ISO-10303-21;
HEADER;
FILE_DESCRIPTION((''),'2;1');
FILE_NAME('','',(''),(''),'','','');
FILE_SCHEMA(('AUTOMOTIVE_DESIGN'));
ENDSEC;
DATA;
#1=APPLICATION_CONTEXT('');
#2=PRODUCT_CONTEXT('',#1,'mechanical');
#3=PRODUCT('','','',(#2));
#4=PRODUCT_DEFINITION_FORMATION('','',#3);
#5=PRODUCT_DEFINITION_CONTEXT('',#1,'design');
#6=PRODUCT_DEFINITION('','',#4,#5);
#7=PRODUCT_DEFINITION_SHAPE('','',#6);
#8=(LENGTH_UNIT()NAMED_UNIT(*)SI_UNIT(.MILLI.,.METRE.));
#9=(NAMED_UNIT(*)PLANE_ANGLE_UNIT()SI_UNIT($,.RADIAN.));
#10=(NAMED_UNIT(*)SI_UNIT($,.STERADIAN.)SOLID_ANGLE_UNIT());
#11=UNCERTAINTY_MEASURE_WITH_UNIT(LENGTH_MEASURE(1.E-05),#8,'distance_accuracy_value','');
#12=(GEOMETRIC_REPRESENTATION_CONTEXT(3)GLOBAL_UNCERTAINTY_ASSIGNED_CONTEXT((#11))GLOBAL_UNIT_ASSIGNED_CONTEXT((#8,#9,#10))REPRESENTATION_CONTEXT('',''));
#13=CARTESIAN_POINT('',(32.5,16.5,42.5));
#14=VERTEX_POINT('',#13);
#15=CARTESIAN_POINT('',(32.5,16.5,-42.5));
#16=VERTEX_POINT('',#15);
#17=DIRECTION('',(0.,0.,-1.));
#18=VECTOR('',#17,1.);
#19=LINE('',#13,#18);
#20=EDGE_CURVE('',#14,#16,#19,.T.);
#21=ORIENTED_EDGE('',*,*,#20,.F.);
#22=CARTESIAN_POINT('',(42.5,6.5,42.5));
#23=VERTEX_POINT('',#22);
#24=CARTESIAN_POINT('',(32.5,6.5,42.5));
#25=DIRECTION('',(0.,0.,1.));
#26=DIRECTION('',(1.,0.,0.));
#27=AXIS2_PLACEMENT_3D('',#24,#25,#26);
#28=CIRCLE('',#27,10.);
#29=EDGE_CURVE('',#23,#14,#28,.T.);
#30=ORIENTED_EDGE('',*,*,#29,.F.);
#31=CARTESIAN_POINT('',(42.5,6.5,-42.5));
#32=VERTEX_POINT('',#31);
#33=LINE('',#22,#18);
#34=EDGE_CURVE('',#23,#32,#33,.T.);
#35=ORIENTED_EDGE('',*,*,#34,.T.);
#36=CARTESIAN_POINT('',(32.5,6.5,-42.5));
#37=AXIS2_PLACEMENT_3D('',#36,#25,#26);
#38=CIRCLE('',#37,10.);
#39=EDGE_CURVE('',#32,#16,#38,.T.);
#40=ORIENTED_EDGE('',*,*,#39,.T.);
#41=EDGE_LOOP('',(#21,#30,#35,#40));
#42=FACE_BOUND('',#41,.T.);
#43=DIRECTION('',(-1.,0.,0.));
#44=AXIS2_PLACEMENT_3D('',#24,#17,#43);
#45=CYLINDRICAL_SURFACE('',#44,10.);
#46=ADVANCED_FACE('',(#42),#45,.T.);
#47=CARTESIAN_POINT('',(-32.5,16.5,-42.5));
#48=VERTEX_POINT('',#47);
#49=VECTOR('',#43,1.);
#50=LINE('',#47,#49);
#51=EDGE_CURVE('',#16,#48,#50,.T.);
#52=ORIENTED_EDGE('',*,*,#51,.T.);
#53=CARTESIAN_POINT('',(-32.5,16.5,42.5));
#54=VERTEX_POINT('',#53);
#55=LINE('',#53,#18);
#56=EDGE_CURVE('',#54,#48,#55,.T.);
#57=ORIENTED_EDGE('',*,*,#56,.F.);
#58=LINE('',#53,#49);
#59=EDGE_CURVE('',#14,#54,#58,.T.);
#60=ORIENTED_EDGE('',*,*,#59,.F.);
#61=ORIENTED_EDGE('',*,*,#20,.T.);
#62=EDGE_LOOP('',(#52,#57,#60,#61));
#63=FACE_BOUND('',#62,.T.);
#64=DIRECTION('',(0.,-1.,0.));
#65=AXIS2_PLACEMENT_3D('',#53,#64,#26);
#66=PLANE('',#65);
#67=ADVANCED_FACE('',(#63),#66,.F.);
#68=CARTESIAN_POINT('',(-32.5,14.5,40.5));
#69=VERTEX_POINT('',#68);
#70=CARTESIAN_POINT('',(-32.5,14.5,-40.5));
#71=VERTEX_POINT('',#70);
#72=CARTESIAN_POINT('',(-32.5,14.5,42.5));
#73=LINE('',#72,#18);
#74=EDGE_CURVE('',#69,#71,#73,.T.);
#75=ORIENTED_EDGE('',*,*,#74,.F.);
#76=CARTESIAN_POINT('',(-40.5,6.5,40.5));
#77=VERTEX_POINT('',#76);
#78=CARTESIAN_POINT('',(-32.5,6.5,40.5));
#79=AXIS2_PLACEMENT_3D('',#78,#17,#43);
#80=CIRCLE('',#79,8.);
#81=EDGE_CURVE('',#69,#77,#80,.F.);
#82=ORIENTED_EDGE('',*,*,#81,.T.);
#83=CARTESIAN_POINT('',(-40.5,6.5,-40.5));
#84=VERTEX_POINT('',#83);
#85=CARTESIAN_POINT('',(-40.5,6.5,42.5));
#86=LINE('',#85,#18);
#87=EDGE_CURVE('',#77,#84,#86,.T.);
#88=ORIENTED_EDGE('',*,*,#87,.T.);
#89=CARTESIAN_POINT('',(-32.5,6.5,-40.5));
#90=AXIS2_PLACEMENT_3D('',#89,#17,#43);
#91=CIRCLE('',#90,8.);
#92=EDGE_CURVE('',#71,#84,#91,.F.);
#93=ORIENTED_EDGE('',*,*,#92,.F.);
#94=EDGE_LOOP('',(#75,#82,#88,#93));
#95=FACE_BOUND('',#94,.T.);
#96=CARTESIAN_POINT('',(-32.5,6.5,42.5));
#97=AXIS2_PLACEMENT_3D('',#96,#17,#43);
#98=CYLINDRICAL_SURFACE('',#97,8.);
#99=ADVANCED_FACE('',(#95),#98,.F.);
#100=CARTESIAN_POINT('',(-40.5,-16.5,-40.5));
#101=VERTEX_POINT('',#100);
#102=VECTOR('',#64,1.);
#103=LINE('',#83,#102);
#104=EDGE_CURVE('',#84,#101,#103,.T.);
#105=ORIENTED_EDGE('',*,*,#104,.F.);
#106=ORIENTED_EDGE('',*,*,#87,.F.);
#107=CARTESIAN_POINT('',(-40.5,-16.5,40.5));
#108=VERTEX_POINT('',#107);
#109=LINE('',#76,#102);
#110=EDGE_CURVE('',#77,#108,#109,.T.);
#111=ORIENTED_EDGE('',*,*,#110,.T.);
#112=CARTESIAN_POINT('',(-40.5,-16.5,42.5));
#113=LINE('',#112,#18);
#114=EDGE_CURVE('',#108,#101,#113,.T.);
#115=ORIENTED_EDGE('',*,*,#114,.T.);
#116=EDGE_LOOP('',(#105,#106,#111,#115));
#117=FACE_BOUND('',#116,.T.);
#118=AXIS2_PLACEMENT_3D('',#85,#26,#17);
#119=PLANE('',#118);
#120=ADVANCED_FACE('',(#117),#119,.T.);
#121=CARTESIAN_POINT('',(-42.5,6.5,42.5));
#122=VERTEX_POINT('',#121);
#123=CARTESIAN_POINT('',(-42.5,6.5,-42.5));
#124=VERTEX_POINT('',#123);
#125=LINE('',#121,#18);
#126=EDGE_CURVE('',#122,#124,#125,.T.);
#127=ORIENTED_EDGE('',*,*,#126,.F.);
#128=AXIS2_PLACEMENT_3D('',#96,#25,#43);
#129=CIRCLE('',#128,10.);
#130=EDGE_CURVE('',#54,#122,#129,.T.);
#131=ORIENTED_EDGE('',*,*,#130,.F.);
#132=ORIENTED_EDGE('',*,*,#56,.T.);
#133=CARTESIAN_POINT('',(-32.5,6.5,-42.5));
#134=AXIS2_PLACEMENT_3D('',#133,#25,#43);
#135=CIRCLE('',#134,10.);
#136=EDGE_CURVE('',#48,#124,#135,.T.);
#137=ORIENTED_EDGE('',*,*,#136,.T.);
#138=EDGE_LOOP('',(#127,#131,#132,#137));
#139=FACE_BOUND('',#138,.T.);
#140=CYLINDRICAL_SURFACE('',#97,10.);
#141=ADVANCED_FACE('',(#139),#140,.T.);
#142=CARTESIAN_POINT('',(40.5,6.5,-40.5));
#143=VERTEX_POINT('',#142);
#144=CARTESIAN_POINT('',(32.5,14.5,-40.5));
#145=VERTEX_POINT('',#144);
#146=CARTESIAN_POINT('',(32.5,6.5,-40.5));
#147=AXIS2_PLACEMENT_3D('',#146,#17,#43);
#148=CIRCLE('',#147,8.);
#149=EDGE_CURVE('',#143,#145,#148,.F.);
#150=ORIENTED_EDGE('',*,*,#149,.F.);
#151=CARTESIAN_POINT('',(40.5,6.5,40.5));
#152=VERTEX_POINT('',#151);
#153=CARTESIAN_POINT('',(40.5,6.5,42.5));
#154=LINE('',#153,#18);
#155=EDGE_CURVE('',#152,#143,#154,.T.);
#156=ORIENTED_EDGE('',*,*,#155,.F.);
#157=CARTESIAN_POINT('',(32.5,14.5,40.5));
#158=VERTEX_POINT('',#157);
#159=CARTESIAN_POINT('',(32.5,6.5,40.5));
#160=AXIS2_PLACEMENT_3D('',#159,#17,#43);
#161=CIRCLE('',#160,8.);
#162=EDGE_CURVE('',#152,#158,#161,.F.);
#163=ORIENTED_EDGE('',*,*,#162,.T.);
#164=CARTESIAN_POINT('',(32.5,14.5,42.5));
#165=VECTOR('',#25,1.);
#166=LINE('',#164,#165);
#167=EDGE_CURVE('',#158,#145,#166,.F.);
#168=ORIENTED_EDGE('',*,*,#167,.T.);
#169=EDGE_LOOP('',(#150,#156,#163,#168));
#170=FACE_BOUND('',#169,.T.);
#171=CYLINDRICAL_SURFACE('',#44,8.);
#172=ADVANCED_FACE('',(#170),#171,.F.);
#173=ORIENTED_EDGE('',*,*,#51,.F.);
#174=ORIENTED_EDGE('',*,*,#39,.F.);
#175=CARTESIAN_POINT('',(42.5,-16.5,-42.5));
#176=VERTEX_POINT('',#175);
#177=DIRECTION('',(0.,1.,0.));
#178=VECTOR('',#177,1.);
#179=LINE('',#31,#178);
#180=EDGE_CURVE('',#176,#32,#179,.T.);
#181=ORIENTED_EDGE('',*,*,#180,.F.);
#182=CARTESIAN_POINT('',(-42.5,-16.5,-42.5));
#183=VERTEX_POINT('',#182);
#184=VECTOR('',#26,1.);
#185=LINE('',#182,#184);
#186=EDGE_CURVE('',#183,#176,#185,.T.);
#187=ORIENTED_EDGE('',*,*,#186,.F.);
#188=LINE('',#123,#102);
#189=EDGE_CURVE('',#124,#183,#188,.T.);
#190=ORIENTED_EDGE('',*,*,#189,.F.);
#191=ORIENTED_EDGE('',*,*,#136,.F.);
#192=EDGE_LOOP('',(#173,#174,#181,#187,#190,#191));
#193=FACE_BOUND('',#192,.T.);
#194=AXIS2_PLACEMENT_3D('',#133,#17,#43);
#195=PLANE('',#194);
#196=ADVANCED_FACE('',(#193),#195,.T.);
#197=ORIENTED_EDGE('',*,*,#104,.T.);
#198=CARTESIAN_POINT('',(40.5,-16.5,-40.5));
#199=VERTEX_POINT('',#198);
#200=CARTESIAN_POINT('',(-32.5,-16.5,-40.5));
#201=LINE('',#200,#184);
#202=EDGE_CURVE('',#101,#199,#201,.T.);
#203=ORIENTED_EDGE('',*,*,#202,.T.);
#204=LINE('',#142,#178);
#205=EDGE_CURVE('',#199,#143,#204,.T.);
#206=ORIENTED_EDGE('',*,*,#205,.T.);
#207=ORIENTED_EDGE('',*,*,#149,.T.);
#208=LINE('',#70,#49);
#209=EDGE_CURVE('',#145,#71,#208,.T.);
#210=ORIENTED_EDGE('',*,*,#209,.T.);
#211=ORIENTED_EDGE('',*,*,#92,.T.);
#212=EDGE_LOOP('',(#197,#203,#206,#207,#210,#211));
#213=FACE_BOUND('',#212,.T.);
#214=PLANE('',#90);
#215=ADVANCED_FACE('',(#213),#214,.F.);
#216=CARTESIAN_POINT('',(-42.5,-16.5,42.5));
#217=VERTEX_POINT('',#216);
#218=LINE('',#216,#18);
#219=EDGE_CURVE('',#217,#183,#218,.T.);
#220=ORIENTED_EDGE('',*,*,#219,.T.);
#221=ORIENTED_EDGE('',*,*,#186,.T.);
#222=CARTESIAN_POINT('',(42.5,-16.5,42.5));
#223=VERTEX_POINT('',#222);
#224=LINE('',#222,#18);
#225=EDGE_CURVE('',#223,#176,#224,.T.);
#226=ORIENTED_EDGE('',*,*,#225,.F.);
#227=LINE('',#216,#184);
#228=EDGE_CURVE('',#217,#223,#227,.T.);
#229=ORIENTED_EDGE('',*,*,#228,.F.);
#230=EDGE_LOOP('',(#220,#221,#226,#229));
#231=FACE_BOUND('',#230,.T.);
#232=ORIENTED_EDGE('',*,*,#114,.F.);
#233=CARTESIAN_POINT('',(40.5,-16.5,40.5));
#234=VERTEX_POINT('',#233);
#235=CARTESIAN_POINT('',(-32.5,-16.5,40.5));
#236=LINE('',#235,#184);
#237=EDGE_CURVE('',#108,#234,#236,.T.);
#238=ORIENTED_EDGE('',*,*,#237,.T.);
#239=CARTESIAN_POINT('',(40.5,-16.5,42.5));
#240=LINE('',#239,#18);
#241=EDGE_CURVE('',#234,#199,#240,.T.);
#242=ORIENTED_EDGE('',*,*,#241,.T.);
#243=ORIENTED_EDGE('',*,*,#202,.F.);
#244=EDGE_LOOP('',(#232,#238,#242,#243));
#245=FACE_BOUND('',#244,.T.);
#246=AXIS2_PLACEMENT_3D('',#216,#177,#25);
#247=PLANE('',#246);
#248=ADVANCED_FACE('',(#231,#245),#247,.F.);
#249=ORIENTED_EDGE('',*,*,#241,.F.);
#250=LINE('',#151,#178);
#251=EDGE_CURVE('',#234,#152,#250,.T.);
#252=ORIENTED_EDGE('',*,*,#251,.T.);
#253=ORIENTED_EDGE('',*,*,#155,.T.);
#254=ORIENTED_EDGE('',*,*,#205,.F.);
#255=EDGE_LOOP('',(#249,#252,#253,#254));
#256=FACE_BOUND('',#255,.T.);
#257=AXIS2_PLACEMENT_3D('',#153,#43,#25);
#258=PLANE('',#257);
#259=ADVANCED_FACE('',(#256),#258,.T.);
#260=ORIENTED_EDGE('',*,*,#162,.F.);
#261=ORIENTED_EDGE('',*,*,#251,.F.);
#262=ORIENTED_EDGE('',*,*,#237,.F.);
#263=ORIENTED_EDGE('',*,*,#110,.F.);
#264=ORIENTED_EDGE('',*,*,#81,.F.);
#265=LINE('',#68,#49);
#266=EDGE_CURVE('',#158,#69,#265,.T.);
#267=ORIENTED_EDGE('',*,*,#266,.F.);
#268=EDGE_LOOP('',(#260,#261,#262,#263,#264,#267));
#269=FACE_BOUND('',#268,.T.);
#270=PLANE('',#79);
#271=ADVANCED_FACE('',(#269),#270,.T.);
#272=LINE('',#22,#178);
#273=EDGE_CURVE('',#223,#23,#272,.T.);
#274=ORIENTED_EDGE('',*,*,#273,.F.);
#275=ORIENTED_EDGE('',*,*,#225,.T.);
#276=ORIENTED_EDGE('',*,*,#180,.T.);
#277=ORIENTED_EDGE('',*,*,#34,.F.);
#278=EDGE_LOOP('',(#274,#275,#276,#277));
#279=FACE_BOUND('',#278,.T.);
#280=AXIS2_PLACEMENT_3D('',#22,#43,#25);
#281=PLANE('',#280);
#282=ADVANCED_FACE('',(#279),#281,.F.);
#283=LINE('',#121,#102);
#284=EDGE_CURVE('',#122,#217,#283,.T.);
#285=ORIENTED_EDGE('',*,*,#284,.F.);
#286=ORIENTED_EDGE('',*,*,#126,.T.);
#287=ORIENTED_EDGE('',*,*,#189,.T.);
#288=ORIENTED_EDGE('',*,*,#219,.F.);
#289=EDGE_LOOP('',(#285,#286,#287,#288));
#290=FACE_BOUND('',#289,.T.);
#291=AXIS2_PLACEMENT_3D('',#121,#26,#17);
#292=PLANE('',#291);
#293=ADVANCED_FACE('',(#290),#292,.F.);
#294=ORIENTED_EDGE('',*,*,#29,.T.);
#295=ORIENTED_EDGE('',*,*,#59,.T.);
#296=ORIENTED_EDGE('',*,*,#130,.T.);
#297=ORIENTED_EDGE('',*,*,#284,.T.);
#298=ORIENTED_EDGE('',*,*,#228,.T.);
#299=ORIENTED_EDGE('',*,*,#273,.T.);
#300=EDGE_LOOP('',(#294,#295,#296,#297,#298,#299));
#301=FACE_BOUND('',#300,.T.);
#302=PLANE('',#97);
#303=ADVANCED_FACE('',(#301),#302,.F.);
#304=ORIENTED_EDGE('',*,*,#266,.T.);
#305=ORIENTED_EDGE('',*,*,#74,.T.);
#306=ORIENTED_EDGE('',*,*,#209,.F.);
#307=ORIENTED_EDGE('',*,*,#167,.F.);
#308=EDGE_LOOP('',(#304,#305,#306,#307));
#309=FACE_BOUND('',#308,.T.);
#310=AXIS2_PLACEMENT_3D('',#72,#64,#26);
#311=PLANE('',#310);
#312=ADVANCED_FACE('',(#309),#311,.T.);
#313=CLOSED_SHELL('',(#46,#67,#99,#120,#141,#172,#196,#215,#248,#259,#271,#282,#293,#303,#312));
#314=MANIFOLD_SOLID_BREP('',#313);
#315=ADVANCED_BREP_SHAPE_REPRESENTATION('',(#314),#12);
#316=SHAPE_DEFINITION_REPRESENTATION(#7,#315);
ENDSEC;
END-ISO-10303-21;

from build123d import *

# Parameters (mm, degrees)
BOSS_EXTRUDE1_DEPTH = 42.5
SHELL1_T            = -2


with BuildPart() as part:
    # Sketch3 → Boss-Extrude1 (new, symmetric)
    with BuildSketch(Plane.XY):
        with BuildLine():
            Line((-32.5, 16.5), (32.5, 16.5))
            ThreePointArc((32.5, 16.5), (39.571067812, 13.571067812), (42.5, 6.5))
            Line((42.5, 6.5), (42.5, -16.5))
            Line((42.5, -16.5), (-42.5, -16.5))
            Line((-42.5, -16.5), (-42.5, 6.5))
            ThreePointArc((-42.5, 6.5), (-39.571067812, 13.571067812), (-32.5, 16.5))
        make_face()
    extrude(amount=BOSS_EXTRUDE1_DEPTH, both=True)

    # Shell1
    shell1_openings = [part.faces().sort_by_distance(p)[0] for p in [
        (0, -16.5, 0),
    ]]
    offset(amount=SHELL1_T, openings=shell1_openings, kind=Kind.INTERSECTION)


solid = part.part
